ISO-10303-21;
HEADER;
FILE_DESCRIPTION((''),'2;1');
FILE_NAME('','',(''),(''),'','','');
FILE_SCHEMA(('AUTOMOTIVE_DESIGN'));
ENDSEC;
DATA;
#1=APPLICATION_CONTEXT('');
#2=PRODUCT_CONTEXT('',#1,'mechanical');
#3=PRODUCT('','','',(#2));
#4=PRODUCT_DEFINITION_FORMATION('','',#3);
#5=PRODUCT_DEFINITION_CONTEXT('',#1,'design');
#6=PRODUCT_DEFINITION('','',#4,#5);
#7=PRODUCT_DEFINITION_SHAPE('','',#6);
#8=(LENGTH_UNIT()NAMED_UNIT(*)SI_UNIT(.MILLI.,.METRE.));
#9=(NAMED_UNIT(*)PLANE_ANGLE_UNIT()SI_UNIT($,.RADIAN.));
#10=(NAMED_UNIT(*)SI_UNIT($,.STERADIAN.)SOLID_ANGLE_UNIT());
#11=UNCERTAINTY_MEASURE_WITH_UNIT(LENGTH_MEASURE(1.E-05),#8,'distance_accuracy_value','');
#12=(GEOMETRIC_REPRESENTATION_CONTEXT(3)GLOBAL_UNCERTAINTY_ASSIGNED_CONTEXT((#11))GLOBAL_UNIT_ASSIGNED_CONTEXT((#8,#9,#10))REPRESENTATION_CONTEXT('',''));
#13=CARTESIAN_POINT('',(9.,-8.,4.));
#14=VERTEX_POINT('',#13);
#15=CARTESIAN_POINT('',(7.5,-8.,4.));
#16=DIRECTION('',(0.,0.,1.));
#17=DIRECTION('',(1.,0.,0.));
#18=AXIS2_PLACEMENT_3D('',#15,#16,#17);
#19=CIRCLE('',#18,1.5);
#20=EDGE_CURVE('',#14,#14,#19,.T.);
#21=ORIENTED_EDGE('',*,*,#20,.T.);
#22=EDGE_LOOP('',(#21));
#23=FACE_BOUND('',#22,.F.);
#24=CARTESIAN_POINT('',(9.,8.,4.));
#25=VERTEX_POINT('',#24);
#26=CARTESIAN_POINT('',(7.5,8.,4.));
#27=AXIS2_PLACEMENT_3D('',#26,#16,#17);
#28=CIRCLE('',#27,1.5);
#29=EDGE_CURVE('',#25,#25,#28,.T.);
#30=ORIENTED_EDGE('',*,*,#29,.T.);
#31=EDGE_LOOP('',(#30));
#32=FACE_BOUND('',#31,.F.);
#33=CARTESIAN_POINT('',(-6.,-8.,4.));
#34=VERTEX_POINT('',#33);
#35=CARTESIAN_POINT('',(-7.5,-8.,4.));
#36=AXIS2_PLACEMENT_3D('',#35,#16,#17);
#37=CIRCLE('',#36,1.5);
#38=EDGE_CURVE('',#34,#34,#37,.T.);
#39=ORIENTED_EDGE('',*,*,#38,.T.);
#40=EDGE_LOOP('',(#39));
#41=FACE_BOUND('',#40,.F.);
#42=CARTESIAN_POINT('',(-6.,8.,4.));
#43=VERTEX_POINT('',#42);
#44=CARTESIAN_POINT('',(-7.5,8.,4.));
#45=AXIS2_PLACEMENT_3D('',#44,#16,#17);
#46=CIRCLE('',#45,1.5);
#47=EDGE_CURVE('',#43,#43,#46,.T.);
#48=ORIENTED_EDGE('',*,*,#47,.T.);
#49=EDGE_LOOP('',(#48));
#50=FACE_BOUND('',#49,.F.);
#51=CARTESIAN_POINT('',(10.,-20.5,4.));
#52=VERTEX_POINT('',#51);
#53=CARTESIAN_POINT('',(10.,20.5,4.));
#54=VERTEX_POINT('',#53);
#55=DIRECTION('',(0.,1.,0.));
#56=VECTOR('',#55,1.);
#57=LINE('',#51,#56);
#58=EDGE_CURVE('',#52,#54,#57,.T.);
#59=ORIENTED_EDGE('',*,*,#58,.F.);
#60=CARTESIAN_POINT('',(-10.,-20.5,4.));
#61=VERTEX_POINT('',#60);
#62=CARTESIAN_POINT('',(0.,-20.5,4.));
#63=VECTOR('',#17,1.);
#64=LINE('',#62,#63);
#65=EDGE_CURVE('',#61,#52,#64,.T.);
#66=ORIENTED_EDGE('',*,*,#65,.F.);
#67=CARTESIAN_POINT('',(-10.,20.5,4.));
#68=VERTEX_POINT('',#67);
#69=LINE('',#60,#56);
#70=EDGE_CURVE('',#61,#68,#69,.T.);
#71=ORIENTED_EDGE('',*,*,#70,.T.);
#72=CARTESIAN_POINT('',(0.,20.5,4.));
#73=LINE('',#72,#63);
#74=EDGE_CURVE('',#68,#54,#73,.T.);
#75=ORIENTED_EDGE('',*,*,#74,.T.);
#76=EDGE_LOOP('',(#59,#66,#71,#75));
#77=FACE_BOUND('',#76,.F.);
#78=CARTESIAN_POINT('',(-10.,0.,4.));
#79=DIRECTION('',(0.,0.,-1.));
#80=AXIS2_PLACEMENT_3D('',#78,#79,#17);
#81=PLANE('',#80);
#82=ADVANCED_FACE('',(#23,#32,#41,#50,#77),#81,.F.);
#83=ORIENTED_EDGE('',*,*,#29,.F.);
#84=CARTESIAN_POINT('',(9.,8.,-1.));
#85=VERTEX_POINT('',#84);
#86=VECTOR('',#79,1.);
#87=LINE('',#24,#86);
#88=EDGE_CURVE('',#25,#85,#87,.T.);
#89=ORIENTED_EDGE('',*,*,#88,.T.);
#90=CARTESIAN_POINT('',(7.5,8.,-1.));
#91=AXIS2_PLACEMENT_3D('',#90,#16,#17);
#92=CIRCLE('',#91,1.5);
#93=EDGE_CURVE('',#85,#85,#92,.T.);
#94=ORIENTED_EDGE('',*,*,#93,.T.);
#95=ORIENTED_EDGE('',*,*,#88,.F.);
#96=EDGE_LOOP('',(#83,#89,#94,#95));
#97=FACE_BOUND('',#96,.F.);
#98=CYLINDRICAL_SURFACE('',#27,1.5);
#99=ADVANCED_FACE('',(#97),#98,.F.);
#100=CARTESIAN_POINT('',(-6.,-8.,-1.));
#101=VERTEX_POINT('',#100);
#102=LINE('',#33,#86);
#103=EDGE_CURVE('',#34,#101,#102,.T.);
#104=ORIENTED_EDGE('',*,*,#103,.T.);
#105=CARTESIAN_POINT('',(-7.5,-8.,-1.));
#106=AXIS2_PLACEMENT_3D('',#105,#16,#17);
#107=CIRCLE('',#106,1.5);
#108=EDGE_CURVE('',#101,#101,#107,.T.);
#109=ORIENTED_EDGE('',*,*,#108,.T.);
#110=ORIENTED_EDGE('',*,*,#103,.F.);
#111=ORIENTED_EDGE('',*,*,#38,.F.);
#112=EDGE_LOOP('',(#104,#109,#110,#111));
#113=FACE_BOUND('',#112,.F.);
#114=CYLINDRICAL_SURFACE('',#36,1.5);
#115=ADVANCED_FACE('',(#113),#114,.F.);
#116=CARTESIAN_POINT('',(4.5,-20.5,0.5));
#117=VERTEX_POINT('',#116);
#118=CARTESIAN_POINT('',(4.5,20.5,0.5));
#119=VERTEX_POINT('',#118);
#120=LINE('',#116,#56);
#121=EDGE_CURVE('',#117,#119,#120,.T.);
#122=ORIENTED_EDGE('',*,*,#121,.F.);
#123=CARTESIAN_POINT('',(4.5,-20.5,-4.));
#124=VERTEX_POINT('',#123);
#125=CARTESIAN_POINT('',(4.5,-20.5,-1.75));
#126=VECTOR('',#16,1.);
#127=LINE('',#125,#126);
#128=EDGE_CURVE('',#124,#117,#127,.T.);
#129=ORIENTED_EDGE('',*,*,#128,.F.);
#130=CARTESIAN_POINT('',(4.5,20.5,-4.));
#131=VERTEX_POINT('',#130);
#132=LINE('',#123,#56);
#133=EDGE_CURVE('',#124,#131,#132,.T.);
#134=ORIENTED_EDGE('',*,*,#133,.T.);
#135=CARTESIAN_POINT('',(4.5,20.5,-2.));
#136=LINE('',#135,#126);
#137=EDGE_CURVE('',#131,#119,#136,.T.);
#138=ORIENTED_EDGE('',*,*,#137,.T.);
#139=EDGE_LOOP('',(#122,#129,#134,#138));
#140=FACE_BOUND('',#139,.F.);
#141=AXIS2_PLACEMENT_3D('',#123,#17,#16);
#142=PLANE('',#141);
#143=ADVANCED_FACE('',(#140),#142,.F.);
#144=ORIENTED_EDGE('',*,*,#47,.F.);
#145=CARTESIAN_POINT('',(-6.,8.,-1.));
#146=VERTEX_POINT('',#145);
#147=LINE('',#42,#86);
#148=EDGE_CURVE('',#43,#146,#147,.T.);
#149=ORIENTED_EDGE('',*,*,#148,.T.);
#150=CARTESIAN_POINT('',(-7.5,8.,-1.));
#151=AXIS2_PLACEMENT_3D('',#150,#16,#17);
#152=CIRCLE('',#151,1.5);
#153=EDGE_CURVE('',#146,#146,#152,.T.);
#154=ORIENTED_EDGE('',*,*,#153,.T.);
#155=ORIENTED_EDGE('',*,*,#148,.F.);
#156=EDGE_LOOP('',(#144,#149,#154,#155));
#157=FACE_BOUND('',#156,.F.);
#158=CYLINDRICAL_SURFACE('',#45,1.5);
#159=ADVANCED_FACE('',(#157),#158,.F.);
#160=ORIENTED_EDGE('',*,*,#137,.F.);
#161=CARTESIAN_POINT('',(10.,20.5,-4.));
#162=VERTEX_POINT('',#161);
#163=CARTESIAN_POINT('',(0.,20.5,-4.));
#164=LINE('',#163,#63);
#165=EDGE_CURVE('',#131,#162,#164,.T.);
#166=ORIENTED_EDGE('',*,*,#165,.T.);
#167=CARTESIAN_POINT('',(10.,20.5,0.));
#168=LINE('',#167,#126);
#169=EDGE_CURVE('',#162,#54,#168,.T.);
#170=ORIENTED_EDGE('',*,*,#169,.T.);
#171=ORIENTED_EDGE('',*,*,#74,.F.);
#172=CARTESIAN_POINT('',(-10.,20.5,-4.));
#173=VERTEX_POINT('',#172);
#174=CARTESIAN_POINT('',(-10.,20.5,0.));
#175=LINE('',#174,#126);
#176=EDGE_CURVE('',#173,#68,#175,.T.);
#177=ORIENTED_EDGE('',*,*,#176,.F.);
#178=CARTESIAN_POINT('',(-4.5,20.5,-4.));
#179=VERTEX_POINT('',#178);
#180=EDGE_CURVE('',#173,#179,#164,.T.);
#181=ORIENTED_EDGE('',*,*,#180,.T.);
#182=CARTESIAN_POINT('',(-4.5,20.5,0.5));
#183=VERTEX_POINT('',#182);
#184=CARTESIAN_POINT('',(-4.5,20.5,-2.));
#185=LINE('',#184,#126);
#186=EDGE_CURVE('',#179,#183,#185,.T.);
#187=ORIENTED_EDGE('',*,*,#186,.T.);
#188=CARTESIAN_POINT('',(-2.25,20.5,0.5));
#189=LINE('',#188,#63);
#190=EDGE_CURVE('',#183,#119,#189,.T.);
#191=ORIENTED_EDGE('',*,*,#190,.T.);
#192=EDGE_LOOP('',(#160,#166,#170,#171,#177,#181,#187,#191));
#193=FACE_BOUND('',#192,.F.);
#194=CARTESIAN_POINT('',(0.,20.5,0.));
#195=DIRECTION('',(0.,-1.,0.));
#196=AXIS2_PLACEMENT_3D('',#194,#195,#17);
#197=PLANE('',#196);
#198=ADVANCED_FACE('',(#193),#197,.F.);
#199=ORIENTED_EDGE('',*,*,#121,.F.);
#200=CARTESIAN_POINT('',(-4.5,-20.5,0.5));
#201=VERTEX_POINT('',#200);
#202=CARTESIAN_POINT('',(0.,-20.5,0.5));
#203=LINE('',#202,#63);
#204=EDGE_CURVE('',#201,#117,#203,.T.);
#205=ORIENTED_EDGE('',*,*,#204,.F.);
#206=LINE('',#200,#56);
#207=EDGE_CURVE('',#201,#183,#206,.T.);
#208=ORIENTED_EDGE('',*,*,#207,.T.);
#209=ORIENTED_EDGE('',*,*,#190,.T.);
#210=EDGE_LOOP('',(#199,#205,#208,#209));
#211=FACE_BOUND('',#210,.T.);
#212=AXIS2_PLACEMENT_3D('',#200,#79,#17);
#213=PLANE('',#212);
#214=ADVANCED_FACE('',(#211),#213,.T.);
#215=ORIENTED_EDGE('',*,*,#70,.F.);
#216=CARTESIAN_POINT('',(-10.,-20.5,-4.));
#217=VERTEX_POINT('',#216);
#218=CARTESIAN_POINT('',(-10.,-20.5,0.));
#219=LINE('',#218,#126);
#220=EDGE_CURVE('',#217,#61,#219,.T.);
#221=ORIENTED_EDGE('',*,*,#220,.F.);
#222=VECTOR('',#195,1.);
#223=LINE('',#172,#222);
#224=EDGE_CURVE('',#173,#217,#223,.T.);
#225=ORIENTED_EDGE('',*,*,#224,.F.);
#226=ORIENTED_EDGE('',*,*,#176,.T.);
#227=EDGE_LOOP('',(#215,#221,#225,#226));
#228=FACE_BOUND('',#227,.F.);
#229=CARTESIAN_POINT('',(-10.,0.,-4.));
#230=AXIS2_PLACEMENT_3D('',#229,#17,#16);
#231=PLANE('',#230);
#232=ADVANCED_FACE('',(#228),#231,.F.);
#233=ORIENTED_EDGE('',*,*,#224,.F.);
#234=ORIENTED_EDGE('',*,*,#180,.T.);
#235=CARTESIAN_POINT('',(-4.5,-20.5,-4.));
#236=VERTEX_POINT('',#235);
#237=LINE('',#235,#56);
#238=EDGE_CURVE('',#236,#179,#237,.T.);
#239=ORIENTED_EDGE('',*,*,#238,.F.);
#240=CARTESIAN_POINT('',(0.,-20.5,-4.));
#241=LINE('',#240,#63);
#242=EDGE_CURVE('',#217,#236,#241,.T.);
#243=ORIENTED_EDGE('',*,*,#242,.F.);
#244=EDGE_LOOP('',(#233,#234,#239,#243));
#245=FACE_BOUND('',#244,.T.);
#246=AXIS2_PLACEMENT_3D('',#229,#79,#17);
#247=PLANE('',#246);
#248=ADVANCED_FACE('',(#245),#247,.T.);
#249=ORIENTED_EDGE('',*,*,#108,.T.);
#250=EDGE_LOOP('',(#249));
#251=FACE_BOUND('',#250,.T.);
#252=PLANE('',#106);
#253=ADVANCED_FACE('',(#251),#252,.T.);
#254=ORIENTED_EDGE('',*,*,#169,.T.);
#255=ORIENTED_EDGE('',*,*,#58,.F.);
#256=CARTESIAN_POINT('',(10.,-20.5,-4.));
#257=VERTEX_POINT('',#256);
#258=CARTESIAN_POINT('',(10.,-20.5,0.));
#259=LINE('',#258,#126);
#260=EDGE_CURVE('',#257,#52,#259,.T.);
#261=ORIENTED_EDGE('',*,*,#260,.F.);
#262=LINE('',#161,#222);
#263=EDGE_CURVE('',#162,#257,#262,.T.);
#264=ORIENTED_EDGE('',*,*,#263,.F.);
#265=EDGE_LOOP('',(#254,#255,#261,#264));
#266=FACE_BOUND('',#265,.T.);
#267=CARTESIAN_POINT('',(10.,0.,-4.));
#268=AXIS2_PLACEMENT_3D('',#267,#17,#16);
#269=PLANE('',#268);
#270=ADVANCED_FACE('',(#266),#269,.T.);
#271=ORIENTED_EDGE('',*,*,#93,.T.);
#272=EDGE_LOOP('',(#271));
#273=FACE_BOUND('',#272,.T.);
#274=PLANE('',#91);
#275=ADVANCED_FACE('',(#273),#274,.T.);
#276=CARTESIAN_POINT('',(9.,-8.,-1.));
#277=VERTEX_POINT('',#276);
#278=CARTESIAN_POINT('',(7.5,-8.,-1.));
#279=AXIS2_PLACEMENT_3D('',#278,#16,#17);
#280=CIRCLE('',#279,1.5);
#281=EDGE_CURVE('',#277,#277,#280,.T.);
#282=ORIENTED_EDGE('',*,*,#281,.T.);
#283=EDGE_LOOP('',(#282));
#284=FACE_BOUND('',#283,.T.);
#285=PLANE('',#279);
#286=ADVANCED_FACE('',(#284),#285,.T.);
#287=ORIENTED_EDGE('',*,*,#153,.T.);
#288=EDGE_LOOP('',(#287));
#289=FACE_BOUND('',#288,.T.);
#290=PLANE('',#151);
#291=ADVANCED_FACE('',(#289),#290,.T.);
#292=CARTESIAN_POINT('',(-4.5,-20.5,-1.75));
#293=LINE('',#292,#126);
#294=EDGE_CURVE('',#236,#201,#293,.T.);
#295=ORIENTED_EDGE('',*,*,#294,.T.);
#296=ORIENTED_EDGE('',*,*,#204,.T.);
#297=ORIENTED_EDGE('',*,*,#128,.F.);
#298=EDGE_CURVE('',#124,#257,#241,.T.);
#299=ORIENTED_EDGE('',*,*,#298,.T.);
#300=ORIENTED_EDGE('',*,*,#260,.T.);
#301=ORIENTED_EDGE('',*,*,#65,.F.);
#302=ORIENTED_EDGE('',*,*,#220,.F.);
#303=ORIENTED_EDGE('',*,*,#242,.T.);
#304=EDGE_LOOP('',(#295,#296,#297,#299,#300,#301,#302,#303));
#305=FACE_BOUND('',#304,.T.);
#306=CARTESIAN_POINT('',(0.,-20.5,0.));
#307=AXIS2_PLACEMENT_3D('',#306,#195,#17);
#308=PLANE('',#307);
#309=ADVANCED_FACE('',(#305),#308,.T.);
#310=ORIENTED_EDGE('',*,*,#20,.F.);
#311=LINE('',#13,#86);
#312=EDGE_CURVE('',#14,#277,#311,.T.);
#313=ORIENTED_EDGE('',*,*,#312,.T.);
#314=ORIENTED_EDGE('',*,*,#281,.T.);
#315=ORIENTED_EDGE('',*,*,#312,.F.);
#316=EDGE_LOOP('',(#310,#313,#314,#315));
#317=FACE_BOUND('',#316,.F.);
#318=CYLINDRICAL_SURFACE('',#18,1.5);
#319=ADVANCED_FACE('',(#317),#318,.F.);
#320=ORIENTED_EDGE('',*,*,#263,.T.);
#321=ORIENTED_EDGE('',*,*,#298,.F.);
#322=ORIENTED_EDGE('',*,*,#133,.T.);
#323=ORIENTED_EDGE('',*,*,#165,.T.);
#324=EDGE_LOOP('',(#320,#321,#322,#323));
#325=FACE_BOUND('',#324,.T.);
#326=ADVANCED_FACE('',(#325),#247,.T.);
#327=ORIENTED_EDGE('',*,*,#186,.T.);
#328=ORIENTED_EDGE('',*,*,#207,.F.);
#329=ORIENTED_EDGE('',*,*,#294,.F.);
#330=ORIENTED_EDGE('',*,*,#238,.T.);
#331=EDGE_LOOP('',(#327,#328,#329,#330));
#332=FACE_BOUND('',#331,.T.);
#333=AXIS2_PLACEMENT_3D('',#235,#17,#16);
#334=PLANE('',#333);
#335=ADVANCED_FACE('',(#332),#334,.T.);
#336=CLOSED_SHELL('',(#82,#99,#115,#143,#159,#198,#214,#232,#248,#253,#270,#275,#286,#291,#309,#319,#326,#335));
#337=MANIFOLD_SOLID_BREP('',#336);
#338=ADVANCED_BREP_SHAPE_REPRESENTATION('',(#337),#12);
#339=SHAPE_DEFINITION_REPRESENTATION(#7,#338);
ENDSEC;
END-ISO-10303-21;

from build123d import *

# Parameters (mm, degrees)
F0_W     = 20
F0_H     = 8
F1_DEPTH = 20.5
F2_W     = 9
F2_H     = 4.5
F3_DEPTH = 41.001
F4_R     = 1.5
F5_DEPTH = 5


with BuildPart() as f1:
    # F0 (on Front) → F1 (new body, symmetric)
    with BuildSketch(Plane.XZ):
        Rectangle(F0_W, F0_H)
    extrude(amount=F1_DEPTH, both=True)

    # F2 (on face) → F3 (cut, through all)
    with BuildSketch(Plane.XZ.offset(20.5)):
        with Locations((0, -1.75)):
            Rectangle(F2_W, F2_H)
    extrude(amount=-F3_DEPTH, mode=Mode.SUBTRACT)

    # F4 (on face) → F5 (cut)
    with BuildSketch(Plane.XY.offset(4)):
        with Locations((-7.5, 8)):
            Circle(F4_R)
        with Locations((7.5, 8)):
            Circle(F4_R)
        with Locations((7.5, -8)):
            Circle(F4_R)
        with Locations((-7.5, -8)):
            Circle(F4_R)
    extrude(amount=-F5_DEPTH, mode=Mode.SUBTRACT)


solid = f1.part
